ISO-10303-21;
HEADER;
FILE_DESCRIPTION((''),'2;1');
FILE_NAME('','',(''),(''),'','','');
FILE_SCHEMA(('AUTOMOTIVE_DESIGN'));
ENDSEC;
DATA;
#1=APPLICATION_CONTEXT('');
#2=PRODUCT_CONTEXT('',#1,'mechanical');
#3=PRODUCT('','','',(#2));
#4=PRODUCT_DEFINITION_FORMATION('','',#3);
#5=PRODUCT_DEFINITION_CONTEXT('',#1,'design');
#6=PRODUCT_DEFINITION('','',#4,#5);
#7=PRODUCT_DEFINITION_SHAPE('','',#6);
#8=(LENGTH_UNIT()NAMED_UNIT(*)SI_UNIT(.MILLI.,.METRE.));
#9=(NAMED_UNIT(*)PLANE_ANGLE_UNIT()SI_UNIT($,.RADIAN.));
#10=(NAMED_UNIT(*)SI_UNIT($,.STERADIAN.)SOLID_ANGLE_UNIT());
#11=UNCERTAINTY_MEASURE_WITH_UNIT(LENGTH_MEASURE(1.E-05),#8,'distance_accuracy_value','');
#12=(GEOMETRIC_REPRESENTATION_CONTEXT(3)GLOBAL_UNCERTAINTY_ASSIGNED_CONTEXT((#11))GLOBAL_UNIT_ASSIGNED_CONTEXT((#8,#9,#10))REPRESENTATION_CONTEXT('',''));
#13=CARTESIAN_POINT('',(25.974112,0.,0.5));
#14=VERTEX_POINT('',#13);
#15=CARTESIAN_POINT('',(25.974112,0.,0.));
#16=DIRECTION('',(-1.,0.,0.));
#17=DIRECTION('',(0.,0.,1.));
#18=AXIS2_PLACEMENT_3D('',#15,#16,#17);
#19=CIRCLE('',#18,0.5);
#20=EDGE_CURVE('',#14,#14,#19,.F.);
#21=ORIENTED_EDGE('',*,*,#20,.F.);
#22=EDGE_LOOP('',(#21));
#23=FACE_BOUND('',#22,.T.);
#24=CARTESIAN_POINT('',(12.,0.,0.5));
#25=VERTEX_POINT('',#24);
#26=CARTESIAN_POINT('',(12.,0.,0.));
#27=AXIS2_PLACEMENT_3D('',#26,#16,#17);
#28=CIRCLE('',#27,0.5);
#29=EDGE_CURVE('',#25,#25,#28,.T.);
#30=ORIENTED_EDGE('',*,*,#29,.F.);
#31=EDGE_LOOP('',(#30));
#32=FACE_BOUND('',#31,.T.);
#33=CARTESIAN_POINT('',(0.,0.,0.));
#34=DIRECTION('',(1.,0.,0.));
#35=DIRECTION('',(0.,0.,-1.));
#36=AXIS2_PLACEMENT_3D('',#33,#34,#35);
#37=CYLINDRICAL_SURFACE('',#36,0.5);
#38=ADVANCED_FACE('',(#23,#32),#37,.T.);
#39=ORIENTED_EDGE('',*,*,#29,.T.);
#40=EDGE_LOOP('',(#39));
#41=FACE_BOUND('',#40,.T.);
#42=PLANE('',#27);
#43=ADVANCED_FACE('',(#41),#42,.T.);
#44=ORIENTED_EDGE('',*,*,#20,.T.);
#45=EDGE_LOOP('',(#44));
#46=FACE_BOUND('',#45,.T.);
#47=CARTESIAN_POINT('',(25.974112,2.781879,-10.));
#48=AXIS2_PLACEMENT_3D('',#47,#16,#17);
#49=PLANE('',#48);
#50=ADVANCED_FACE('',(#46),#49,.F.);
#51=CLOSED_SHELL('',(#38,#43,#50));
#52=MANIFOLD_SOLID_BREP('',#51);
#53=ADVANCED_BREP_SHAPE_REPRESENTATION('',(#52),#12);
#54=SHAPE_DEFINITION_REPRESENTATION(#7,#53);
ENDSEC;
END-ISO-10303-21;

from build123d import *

# Parameters (mm, degrees)
IZIM2_R               = 0.5
KES_EKSTR_ZYON1_DEPTH = 10
IZIM4_W               = 23.900856007
IZIM4_H               = 1
IZIM4_W_2             = 0.459530198
KES_EKSTR_ZYON2_DEPTH = 10
KES_EKSTR_ZYON3_DEPTH = 0.3
IZIM6_R               = 0.5
KES_EKSTR_ZYON4_DEPTH = 7
IZIM7_R               = 0.5
KES_EKSTR_ZYON5_DEPTH = 5


with BuildPart() as part:
    # Süpür1: sweep along a path in Çizim1
    with BuildLine(Plane.XY) as s_p_r1_path:
        Line((0, 0), (50.361666029, 0))
    # Çizim2 → Süpür1 (sweep)
    with BuildSketch(Plane(origin=(50.361666029, 0, 0), x_dir=(0, 0, -1), z_dir=(1, 0, 0))):
        Circle(IZIM2_R)
    sweep(path=s_p_r1_path.line)

    # Çizim3 → Kes-Ekstrüzyon1 (cut)
    with BuildSketch(Plane.XY):
        Polygon((25.974112066, 2.781879013), (25.974112066, -2.743425523), (51.839823407, -2.743425523), (51.839823407, 3.328337703), align=None)
    extrude(amount=-KES_EKSTR_ZYON1_DEPTH, mode=Mode.SUBTRACT)

    # Çizim4 → Kes-Ekstrüzyon2 (cut)
    with BuildSketch(Plane(origin=(0, 0, 0), x_dir=(-1, 0, 0), z_dir=(0, 0, -1))):
        with Locations((-38.411238026, 0)):
            Rectangle(IZIM4_W, IZIM4_H)
        with Locations((-26.203877165, 0)):
            Rectangle(IZIM4_W_2, IZIM4_H)
    extrude(amount=-KES_EKSTR_ZYON2_DEPTH, mode=Mode.SUBTRACT)


with BuildPart() as kes_ekstr_zyon2_piece_1:
    # of the separate pieces the step leaves, piece 1, a body of its own (kes_ekstr_zyon2_pieces)
    add(part.part.solids().sort_by_distance((0, 0, -0.5))[0])

    # Çizim6 → Kes-Ekstrüzyon4 (cut)
    with BuildSketch(Plane(origin=(0, 0, 0), x_dir=(0, 0, -1), z_dir=(1, 0, 0))):
        Circle(IZIM6_R)
    extrude(amount=KES_EKSTR_ZYON4_DEPTH, mode=Mode.SUBTRACT)

    # Çizim7 → Kes-Ekstrüzyon5 (cut)
    with BuildSketch(Plane.ZY.offset(-7)):
        Circle(IZIM7_R)
    extrude(amount=-KES_EKSTR_ZYON5_DEPTH, mode=Mode.SUBTRACT)


with BuildPart() as kes_ekstr_zyon2_piece_2:
    # of the separate pieces the step leaves, piece 2, a body of its own (kes_ekstr_zyon2_pieces)
    add(part.part.solids().sort_by_distance((26.433642264, 0.5, 0))[0])

    # Çizim5 → Kes-Ekstrüzyon3 (cut)
    with BuildSketch(Plane(origin=(26.460810022, 0, 0), x_dir=(0, 0, -1), z_dir=(1, 0, 0))):
        with BuildLine():
            Line((0, 0.5), (0, -0.5))
            ThreePointArc((0, -0.5), (-0.5, 0), (0, 0.5))
        make_face()
    extrude(amount=-KES_EKSTR_ZYON3_DEPTH, mode=Mode.SUBTRACT)


solid = kes_ekstr_zyon2_piece_1.part
